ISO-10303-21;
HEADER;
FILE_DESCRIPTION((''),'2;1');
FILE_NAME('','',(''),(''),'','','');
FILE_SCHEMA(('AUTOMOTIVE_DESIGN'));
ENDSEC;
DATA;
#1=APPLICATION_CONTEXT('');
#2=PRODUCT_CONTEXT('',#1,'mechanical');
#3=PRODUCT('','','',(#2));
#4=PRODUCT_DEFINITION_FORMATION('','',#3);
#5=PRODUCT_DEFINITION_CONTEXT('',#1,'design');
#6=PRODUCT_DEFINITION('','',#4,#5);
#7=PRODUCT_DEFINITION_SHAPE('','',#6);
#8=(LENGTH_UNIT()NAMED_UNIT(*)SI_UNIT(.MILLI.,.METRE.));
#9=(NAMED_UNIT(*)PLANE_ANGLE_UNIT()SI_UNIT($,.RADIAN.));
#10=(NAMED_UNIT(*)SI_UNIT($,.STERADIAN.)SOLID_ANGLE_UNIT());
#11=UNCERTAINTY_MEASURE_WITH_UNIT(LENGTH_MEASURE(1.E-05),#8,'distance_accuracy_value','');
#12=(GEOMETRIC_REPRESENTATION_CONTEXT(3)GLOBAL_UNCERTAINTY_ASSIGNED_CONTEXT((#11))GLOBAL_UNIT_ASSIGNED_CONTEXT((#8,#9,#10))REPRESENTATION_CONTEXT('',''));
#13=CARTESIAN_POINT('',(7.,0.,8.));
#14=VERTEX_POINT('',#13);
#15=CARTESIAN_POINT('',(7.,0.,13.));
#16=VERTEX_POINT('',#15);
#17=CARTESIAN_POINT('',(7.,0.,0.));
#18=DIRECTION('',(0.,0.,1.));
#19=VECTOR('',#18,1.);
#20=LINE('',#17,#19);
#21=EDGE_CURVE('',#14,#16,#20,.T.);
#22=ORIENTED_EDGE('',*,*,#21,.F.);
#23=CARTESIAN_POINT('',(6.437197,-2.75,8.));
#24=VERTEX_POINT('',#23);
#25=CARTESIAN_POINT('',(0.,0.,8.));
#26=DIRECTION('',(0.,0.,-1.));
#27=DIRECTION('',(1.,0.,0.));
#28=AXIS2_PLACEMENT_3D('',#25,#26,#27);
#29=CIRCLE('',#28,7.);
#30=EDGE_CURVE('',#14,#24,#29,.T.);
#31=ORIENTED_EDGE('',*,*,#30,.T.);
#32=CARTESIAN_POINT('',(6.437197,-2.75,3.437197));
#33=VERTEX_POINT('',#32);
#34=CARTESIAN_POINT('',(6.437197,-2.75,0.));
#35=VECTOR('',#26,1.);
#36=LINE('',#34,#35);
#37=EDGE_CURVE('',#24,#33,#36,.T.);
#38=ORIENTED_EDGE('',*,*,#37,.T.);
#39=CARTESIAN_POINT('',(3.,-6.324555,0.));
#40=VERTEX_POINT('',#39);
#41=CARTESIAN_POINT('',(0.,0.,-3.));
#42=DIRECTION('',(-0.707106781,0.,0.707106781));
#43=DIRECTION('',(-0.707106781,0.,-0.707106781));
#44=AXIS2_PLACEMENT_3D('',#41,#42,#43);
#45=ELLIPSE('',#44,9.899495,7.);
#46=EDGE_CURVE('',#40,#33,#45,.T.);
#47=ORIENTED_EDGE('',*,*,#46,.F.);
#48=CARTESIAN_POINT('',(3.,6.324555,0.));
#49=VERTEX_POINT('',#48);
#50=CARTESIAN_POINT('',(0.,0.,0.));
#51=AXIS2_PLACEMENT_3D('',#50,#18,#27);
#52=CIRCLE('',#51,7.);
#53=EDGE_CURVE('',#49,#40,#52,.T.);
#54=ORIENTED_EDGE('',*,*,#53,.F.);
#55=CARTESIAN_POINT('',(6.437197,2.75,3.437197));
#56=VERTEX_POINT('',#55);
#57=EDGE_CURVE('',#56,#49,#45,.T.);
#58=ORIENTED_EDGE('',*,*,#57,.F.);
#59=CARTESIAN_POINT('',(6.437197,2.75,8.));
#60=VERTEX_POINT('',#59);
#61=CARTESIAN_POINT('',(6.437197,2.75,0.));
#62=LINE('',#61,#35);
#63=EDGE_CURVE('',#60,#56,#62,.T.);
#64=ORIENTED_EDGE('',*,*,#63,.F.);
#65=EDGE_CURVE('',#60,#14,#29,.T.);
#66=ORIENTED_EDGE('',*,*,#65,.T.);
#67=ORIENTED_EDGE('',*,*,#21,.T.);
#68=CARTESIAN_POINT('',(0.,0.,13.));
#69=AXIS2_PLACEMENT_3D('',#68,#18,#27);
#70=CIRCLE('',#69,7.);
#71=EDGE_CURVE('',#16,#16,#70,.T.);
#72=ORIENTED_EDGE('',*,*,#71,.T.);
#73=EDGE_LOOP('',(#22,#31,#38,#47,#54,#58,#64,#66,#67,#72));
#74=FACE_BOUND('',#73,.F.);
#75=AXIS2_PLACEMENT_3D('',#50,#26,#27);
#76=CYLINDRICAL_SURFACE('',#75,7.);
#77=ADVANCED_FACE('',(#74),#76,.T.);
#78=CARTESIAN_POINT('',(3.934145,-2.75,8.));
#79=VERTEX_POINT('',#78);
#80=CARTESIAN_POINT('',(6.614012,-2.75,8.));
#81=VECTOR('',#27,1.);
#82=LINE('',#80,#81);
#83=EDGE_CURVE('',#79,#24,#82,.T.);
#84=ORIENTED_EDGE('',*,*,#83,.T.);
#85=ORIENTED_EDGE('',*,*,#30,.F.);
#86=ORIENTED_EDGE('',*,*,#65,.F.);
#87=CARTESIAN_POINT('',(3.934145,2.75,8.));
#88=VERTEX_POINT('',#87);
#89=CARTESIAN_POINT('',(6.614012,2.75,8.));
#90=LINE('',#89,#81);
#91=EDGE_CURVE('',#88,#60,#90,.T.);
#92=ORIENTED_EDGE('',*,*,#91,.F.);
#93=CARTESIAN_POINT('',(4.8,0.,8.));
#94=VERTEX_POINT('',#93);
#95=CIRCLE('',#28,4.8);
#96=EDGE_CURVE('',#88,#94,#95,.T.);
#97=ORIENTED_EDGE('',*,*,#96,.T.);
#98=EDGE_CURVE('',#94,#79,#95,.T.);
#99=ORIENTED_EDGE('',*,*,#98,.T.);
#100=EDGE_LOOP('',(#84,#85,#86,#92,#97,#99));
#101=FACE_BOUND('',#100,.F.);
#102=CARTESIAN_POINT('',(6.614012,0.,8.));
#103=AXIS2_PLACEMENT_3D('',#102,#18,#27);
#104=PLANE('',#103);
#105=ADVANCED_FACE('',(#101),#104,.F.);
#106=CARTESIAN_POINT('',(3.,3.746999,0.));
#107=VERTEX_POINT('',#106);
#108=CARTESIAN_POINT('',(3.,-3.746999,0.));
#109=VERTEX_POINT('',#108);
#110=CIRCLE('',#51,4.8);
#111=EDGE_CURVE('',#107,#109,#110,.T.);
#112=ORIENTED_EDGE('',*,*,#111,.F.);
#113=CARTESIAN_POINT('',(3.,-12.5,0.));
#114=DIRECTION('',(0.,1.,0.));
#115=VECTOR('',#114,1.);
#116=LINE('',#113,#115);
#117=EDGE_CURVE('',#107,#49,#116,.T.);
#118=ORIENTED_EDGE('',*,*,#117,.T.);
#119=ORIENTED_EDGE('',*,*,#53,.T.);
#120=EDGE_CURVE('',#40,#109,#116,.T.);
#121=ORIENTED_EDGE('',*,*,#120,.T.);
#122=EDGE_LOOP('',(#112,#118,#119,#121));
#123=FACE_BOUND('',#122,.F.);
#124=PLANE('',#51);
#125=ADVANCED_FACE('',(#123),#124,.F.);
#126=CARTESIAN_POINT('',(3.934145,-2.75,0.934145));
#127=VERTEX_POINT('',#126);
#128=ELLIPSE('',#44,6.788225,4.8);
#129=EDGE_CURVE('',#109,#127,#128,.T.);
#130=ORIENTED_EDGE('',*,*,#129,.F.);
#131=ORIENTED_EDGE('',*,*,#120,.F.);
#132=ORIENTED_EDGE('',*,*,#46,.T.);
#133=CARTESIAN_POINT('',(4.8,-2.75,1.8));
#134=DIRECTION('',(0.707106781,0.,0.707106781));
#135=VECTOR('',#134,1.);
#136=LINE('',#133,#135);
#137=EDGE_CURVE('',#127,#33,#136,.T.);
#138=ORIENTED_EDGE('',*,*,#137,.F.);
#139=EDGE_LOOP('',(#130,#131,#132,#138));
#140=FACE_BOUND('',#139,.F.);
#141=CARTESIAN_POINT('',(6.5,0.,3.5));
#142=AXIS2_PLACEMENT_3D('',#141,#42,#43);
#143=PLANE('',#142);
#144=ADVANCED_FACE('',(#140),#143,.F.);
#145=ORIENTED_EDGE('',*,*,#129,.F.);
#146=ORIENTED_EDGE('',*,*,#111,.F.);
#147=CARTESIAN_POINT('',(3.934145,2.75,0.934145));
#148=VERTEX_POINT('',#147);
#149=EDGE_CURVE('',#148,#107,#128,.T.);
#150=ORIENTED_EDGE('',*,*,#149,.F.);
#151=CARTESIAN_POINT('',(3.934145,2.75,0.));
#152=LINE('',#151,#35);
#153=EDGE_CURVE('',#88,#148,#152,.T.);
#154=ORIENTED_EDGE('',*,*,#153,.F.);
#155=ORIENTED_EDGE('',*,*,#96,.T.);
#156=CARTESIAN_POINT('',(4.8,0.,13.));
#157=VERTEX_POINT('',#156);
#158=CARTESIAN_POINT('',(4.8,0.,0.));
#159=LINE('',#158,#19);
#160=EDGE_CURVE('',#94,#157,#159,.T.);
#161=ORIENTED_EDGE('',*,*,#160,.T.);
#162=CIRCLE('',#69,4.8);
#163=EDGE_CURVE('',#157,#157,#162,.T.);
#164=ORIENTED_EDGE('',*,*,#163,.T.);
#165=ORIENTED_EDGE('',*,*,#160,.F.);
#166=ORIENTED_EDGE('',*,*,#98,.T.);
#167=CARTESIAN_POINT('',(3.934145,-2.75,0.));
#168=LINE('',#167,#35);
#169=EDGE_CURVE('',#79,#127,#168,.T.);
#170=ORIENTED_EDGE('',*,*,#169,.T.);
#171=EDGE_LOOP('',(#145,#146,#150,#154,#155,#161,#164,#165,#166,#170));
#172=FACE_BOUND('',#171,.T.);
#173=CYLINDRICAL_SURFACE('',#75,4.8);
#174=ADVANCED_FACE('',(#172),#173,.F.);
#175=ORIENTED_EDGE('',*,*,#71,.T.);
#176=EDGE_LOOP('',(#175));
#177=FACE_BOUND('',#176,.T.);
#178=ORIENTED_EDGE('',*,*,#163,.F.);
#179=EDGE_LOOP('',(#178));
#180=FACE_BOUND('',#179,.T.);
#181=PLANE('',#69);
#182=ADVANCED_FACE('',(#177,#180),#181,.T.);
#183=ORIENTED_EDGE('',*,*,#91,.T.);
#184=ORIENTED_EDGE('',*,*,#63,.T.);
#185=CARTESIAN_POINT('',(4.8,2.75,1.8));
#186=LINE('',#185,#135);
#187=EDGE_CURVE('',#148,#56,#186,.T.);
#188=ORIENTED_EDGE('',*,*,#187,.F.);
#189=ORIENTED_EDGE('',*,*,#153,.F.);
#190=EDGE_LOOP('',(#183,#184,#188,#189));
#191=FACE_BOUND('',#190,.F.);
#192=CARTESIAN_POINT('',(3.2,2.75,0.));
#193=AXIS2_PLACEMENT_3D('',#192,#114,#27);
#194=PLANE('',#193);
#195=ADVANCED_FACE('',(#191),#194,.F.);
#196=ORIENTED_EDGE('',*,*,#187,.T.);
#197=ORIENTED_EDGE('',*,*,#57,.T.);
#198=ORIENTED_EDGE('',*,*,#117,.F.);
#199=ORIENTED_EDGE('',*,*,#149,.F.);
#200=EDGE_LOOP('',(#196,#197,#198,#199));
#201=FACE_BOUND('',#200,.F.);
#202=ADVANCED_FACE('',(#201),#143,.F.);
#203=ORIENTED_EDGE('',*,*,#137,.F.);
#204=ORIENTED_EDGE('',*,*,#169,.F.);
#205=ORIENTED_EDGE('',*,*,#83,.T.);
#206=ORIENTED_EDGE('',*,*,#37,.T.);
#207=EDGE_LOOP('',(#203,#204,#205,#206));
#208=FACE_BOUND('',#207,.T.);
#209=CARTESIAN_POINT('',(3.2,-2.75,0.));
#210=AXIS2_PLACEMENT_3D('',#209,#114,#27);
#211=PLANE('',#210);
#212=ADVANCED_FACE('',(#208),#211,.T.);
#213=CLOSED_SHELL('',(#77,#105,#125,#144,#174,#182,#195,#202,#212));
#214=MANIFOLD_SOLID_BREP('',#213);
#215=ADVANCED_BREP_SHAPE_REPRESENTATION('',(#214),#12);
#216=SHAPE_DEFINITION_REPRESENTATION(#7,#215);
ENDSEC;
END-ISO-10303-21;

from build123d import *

# Parameters (mm, degrees)
F0_R     = 7
F0_R_2   = 4.8
F1_DEPTH = 13
F2_W     = 6.828025
F2_H     = 5.5
F3_DEPTH = 8
F5_DEPTH = 12.5


with BuildPart() as f1:
    # F0 (on Top) → F1 (new body)
    with BuildSketch(Plane.XY):
        Circle(F0_R)
        Circle(F0_R_2, mode=Mode.SUBTRACT)
    extrude(amount=F1_DEPTH)

    # F2 (on Top) → F3 (cut)
    with BuildSketch(Plane.XY):
        with Locations((6.614012, 0)):
            Rectangle(F2_W, F2_H)
    extrude(amount=F3_DEPTH, mode=Mode.SUBTRACT)

    # F4 (on Front) → F5 (cut, symmetric)
    with BuildSketch(Plane.XZ):
        Polygon((3, 0), (6.5, 0), (6.5, 3.5), align=None)
    extrude(amount=F5_DEPTH, both=True, mode=Mode.SUBTRACT)


solid = f1.part
